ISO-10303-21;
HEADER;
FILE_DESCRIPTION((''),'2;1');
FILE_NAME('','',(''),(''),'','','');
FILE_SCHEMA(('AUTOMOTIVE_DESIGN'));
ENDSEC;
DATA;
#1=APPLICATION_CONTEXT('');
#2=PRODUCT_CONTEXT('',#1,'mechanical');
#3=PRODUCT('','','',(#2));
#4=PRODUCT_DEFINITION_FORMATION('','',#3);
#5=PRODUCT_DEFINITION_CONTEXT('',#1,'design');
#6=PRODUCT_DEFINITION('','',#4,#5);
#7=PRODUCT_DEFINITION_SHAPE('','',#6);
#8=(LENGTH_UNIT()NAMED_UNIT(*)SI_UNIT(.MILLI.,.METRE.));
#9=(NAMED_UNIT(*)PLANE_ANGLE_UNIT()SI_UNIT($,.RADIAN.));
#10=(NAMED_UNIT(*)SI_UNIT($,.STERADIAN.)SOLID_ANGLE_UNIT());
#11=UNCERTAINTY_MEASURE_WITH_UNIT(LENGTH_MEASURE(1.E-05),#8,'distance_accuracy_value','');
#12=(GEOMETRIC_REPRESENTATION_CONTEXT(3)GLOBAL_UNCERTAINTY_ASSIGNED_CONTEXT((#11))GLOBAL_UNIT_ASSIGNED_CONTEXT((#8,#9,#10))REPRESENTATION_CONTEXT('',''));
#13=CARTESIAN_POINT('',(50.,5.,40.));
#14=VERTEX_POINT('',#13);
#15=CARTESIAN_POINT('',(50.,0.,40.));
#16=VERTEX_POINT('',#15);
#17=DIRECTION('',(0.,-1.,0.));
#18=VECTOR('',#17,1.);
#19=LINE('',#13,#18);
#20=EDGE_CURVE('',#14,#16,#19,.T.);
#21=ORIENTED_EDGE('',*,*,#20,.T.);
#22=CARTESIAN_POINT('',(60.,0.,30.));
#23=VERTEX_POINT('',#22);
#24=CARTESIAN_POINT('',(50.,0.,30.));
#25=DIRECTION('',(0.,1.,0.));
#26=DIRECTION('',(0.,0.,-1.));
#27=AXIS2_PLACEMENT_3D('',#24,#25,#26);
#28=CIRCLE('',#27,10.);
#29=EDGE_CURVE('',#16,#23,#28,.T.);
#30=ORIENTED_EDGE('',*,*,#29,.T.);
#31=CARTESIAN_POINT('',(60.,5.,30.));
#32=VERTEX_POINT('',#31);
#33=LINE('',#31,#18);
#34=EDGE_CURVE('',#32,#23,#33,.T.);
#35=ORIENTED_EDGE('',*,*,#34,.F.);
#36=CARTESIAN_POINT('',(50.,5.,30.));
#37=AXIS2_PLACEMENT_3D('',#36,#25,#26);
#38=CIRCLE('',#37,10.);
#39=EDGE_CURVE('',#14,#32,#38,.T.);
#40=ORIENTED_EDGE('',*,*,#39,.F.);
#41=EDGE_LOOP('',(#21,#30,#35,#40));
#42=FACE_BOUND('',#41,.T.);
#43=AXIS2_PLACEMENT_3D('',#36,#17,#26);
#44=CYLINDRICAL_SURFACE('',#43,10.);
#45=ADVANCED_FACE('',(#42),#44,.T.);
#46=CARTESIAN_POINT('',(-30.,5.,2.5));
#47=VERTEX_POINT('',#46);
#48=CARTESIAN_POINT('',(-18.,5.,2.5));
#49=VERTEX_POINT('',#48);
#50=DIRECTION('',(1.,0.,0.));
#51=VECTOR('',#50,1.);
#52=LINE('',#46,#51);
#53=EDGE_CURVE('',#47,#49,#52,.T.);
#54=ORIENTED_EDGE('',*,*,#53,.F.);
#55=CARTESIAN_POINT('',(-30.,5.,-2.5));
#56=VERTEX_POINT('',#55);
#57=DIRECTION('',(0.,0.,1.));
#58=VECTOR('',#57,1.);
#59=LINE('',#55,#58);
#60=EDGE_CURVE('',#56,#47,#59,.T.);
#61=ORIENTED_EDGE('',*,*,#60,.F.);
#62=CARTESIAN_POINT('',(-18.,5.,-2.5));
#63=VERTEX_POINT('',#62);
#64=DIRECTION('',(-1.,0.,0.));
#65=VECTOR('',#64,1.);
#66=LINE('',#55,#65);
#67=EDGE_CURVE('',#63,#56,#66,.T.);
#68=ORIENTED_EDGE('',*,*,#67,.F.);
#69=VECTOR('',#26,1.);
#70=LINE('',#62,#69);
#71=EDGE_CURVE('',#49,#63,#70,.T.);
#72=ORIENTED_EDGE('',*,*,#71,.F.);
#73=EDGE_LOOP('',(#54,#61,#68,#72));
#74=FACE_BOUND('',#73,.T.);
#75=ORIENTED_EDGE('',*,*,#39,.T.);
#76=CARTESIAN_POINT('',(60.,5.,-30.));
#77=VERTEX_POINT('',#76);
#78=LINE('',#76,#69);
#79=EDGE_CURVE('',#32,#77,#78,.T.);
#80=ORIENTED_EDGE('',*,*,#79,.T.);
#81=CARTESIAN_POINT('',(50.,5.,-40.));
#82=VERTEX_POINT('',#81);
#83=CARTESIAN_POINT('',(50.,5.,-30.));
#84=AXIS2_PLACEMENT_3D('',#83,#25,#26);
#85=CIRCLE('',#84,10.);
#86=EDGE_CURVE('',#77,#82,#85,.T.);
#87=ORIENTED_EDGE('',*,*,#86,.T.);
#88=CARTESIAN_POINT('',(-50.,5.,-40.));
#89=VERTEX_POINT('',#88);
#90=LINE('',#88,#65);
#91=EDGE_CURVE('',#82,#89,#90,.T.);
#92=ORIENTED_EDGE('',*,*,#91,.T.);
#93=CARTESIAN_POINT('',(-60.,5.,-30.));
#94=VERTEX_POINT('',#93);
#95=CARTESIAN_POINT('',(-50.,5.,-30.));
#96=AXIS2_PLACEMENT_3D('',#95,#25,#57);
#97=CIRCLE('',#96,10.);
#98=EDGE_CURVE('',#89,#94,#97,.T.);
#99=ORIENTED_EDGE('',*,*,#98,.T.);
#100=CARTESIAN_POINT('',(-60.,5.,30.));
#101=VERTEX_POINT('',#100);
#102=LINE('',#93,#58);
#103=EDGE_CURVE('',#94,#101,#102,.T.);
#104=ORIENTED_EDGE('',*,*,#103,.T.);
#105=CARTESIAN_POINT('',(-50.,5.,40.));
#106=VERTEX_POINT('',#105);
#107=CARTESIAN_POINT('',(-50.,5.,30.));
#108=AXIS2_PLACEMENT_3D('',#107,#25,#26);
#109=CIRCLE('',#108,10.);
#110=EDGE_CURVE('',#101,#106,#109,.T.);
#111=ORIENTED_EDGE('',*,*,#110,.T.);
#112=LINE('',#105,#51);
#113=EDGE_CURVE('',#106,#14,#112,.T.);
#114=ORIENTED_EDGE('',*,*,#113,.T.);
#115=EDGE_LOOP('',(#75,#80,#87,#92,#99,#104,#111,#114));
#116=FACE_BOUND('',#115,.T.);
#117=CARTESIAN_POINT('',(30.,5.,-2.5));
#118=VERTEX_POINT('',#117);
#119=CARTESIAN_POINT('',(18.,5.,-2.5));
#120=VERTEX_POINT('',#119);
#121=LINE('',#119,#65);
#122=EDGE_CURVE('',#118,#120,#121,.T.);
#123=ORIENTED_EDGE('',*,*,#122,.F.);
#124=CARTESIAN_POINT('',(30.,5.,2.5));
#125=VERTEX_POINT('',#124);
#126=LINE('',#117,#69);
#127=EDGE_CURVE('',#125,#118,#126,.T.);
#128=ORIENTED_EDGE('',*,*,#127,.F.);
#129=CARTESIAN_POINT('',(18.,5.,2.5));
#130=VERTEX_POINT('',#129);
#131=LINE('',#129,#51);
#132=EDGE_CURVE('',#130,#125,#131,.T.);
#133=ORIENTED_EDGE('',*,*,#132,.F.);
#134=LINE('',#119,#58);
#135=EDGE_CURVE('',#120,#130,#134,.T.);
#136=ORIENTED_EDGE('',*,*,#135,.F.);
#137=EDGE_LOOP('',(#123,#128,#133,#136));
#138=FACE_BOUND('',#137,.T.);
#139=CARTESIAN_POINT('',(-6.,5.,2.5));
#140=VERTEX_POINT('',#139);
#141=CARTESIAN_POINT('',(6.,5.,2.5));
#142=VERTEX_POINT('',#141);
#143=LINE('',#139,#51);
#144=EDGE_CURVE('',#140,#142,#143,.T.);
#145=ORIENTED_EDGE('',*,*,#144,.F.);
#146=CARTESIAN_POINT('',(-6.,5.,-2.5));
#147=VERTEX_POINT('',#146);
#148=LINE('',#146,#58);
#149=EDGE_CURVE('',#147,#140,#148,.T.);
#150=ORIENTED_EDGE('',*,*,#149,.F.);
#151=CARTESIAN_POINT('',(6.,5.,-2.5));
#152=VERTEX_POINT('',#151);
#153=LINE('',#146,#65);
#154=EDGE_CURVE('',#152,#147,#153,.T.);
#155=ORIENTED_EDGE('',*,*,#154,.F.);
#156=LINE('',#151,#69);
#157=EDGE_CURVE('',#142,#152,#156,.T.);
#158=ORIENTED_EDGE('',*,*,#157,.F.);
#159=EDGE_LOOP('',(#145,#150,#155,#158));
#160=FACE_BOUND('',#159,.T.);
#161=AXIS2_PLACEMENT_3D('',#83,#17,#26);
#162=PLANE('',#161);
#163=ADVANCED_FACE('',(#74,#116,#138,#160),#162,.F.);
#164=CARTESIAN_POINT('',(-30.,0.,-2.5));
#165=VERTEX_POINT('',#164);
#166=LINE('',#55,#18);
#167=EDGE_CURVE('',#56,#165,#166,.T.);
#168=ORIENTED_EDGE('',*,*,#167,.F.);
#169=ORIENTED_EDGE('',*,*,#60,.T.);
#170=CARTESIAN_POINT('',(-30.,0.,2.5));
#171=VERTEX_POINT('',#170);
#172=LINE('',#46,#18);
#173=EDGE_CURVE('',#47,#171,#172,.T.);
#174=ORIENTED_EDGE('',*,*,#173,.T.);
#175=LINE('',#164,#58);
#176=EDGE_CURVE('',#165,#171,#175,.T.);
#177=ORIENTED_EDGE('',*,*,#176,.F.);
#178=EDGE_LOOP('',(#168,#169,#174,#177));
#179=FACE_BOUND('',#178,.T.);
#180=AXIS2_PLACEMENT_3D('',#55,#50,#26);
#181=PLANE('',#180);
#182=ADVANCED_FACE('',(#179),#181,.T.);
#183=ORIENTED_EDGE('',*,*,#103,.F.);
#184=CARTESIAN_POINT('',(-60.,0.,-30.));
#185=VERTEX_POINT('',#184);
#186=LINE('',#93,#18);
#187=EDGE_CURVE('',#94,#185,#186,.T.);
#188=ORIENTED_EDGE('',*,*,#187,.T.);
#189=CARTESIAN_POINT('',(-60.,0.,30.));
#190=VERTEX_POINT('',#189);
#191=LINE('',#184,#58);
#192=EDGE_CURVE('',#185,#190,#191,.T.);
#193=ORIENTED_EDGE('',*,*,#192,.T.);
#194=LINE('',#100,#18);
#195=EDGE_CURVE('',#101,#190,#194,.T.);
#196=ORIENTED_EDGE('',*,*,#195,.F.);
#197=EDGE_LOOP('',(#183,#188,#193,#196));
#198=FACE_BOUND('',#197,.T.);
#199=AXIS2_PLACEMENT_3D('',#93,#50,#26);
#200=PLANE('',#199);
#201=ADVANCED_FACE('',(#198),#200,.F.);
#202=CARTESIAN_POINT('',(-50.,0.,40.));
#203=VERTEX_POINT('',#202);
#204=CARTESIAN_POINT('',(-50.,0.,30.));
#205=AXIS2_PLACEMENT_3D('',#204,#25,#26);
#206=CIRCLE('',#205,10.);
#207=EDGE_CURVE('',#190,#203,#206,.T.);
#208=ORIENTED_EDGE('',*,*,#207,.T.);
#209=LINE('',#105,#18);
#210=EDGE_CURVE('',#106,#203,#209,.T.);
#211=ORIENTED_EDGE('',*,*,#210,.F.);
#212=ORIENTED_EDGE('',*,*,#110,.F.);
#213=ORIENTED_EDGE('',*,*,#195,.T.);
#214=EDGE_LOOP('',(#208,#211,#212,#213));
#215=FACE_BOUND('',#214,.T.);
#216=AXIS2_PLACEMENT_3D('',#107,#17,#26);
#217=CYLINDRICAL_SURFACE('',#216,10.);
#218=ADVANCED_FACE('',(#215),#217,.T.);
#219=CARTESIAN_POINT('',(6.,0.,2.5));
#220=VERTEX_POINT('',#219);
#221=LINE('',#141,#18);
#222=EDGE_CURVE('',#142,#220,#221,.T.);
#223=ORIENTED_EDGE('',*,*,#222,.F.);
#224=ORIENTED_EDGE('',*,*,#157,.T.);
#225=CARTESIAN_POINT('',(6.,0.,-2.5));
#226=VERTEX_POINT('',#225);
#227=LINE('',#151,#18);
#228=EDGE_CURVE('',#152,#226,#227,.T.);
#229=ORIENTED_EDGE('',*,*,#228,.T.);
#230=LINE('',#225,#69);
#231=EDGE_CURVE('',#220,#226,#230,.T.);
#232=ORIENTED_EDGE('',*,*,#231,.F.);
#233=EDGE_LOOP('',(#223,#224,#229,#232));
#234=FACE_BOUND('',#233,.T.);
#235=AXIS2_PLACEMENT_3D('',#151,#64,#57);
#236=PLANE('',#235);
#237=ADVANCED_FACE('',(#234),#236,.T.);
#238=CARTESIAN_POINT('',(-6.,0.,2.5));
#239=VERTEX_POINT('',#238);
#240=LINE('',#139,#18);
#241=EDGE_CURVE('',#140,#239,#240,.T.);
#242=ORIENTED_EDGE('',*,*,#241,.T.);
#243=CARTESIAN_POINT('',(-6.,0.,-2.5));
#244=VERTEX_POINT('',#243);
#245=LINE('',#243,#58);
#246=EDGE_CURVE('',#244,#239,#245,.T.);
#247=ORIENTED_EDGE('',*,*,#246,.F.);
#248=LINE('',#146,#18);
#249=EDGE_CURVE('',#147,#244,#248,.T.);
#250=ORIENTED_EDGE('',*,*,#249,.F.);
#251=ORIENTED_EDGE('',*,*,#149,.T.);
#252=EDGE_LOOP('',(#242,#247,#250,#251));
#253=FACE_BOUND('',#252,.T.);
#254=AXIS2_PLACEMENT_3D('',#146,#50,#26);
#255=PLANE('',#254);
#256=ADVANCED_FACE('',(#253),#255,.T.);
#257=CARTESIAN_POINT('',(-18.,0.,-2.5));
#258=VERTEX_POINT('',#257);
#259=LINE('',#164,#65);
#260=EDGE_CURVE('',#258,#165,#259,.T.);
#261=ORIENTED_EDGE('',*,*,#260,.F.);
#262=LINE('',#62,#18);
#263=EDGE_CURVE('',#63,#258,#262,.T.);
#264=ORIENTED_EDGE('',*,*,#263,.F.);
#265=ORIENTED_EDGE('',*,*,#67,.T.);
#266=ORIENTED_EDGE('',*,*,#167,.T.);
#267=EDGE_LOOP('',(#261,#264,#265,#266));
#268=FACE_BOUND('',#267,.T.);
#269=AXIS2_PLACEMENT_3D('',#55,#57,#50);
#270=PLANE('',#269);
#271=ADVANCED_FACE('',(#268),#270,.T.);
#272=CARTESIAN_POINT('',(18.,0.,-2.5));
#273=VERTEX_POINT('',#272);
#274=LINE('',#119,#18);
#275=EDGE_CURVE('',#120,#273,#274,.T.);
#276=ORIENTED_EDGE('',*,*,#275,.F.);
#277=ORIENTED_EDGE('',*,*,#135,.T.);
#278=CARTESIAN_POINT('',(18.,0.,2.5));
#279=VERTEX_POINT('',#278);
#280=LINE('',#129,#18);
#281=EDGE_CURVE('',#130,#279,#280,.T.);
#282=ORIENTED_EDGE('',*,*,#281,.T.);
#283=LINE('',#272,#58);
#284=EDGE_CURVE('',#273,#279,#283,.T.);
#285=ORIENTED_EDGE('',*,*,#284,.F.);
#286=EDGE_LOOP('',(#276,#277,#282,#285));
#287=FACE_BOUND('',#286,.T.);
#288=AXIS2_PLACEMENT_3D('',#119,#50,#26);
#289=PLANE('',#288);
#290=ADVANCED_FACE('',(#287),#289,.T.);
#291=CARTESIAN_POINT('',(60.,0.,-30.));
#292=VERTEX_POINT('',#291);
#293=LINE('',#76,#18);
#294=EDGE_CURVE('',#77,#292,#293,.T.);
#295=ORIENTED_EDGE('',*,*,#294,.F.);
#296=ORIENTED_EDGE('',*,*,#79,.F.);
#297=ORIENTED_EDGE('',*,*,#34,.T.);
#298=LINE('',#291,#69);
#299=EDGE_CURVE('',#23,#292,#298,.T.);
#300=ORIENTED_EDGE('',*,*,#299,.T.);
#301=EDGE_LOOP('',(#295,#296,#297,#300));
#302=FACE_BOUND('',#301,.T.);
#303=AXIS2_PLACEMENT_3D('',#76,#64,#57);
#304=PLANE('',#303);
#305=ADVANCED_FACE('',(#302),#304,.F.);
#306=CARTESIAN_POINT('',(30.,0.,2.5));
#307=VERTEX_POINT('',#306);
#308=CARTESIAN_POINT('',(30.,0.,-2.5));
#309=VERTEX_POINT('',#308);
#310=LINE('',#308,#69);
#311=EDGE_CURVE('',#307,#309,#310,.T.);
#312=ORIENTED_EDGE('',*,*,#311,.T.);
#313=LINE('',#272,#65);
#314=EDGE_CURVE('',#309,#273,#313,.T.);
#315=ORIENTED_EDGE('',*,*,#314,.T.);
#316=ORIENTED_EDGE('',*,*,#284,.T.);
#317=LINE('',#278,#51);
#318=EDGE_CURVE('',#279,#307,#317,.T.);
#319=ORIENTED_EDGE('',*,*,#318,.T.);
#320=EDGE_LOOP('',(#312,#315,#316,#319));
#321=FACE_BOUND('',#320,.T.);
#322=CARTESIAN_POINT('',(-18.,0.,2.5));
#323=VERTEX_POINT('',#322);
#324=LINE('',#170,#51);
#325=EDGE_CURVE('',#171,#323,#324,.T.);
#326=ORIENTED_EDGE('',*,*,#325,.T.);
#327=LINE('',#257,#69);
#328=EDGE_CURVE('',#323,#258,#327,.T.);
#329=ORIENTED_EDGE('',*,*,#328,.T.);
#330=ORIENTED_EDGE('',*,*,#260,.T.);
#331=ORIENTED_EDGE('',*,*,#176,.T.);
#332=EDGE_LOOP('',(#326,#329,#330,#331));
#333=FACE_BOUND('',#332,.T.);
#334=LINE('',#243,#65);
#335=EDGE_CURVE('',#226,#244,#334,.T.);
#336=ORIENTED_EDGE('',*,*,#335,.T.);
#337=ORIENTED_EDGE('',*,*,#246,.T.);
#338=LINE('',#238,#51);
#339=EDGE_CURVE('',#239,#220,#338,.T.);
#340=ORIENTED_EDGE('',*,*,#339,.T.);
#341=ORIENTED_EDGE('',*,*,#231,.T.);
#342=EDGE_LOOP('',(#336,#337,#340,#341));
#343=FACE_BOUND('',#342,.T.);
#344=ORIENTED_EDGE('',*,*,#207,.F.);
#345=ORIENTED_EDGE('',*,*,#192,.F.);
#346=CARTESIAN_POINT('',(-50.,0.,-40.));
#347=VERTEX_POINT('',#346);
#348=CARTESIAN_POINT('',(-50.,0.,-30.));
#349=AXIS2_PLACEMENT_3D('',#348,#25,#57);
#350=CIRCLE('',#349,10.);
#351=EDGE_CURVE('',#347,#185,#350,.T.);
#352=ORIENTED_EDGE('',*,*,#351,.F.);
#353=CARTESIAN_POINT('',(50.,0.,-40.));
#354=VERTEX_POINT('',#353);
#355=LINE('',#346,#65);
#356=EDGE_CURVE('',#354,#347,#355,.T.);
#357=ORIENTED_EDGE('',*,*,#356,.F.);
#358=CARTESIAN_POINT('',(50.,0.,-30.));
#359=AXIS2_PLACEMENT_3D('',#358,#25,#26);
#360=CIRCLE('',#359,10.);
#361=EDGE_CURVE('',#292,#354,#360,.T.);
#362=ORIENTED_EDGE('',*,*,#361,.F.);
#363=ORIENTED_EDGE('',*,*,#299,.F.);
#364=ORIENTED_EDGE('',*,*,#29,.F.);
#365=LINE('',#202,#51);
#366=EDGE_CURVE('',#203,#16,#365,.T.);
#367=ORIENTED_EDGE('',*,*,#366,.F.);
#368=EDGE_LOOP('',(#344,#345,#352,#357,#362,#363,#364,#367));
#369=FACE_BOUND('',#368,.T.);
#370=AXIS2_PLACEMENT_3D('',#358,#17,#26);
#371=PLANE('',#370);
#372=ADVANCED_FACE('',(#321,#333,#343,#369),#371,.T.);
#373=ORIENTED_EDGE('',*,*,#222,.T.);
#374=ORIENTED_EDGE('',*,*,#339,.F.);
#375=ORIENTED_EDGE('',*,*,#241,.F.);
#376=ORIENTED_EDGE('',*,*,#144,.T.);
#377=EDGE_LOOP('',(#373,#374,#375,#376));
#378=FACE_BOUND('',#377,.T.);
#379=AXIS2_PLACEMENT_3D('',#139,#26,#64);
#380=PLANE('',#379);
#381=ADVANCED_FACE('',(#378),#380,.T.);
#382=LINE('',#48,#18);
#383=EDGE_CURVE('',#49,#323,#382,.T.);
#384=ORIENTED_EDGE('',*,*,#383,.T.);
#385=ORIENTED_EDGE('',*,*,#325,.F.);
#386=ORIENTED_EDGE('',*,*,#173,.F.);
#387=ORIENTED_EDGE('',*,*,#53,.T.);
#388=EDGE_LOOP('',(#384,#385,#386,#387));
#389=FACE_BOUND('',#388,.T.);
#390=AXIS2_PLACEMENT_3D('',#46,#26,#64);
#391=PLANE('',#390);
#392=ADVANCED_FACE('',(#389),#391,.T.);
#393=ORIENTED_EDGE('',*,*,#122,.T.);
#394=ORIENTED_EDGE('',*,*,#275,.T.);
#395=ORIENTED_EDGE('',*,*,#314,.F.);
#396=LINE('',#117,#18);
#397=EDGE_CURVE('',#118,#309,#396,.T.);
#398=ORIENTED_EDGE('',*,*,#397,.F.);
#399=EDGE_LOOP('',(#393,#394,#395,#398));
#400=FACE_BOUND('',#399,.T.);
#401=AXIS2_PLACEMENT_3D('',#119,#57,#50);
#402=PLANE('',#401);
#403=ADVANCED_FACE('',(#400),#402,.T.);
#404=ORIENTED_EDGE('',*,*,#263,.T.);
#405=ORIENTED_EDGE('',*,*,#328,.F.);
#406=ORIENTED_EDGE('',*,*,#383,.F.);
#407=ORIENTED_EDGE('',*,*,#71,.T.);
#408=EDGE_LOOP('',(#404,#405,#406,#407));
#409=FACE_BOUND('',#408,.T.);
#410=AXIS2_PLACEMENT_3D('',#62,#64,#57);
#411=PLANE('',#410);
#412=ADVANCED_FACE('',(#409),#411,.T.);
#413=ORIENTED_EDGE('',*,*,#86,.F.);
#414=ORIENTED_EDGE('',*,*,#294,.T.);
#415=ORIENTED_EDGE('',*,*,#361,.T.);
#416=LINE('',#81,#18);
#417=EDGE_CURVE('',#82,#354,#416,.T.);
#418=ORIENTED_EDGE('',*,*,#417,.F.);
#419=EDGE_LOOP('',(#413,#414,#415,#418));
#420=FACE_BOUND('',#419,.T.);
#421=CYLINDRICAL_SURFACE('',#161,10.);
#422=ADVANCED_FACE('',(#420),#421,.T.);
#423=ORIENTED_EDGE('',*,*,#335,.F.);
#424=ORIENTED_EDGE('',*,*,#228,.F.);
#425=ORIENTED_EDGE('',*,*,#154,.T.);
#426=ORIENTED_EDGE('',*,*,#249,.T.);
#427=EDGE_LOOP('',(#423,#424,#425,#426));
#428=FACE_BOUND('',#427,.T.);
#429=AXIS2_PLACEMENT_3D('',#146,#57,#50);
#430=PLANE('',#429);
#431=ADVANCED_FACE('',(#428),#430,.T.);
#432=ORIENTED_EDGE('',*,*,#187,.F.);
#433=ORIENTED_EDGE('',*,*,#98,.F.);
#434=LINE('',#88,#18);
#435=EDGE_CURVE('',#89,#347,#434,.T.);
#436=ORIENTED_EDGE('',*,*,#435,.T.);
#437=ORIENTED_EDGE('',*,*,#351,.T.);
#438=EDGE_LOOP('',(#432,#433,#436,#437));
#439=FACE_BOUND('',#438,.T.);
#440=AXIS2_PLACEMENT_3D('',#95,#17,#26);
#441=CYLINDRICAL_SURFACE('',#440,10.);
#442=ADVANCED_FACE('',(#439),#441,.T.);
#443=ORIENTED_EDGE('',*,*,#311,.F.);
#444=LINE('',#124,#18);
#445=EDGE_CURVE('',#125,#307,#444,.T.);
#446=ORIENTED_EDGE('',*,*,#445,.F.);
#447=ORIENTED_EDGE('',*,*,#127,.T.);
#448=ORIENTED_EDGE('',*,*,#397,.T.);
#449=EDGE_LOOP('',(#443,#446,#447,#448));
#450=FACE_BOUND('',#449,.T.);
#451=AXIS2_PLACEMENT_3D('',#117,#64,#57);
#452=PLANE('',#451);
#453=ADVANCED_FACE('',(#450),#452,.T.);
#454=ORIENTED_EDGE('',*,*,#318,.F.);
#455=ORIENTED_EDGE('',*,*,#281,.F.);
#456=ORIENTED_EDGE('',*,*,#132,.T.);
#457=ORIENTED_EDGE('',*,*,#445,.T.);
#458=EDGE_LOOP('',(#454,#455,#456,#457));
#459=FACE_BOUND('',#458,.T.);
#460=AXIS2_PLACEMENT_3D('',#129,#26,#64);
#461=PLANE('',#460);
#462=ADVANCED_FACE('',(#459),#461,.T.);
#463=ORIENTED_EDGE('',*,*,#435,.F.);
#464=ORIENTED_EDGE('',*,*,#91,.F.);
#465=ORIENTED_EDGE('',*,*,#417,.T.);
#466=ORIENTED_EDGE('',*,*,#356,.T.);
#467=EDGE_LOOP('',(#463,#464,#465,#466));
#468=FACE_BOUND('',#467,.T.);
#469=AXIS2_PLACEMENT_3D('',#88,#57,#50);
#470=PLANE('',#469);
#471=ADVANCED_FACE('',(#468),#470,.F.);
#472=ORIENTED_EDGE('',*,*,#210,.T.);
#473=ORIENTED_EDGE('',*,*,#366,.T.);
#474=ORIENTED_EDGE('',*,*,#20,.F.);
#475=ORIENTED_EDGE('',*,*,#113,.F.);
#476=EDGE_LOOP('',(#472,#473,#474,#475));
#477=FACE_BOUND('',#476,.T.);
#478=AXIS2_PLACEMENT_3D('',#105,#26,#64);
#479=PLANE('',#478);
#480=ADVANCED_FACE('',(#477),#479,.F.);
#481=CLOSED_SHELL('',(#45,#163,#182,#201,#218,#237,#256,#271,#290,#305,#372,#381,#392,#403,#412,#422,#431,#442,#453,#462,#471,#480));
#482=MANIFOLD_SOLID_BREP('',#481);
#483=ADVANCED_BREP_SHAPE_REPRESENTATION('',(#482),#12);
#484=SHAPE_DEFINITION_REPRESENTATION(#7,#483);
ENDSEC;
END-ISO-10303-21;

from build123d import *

# Parameters (mm, degrees)
SKETCH1_W           = 12
SKETCH1_H           = 5
BOSS_EXTRUDE1_DEPTH = 5


with BuildPart() as part:
    # Sketch1 → Boss-Extrude1 (new body)
    with BuildSketch(Plane(origin=(0, 0, 0), x_dir=(1, 0, 0), z_dir=(0, 1, 0))):
        with BuildLine():
            Line((-50, 40), (50, 40))
            ThreePointArc((50, 40), (57.071067812, 37.071067812), (60, 30))
            Line((60, 30), (60, -30))
            ThreePointArc((60, -30), (57.071067812, -37.071067812), (50, -40))
            Line((50, -40), (-50, -40))
            ThreePointArc((-50, -40), (-57.071067812, -37.071067812), (-60, -30))
            Line((-60, -30), (-60, 30))
            ThreePointArc((-60, 30), (-57.071067812, 37.071067812), (-50, 40))
        make_face()
        with Locations((-24, 0)):
            Rectangle(SKETCH1_W, SKETCH1_H, mode=Mode.SUBTRACT)
        with Locations((24, 0)):
            Rectangle(SKETCH1_W, SKETCH1_H, mode=Mode.SUBTRACT)
        Rectangle(SKETCH1_W, SKETCH1_H, mode=Mode.SUBTRACT)
    extrude(amount=BOSS_EXTRUDE1_DEPTH)


solid = part.part
